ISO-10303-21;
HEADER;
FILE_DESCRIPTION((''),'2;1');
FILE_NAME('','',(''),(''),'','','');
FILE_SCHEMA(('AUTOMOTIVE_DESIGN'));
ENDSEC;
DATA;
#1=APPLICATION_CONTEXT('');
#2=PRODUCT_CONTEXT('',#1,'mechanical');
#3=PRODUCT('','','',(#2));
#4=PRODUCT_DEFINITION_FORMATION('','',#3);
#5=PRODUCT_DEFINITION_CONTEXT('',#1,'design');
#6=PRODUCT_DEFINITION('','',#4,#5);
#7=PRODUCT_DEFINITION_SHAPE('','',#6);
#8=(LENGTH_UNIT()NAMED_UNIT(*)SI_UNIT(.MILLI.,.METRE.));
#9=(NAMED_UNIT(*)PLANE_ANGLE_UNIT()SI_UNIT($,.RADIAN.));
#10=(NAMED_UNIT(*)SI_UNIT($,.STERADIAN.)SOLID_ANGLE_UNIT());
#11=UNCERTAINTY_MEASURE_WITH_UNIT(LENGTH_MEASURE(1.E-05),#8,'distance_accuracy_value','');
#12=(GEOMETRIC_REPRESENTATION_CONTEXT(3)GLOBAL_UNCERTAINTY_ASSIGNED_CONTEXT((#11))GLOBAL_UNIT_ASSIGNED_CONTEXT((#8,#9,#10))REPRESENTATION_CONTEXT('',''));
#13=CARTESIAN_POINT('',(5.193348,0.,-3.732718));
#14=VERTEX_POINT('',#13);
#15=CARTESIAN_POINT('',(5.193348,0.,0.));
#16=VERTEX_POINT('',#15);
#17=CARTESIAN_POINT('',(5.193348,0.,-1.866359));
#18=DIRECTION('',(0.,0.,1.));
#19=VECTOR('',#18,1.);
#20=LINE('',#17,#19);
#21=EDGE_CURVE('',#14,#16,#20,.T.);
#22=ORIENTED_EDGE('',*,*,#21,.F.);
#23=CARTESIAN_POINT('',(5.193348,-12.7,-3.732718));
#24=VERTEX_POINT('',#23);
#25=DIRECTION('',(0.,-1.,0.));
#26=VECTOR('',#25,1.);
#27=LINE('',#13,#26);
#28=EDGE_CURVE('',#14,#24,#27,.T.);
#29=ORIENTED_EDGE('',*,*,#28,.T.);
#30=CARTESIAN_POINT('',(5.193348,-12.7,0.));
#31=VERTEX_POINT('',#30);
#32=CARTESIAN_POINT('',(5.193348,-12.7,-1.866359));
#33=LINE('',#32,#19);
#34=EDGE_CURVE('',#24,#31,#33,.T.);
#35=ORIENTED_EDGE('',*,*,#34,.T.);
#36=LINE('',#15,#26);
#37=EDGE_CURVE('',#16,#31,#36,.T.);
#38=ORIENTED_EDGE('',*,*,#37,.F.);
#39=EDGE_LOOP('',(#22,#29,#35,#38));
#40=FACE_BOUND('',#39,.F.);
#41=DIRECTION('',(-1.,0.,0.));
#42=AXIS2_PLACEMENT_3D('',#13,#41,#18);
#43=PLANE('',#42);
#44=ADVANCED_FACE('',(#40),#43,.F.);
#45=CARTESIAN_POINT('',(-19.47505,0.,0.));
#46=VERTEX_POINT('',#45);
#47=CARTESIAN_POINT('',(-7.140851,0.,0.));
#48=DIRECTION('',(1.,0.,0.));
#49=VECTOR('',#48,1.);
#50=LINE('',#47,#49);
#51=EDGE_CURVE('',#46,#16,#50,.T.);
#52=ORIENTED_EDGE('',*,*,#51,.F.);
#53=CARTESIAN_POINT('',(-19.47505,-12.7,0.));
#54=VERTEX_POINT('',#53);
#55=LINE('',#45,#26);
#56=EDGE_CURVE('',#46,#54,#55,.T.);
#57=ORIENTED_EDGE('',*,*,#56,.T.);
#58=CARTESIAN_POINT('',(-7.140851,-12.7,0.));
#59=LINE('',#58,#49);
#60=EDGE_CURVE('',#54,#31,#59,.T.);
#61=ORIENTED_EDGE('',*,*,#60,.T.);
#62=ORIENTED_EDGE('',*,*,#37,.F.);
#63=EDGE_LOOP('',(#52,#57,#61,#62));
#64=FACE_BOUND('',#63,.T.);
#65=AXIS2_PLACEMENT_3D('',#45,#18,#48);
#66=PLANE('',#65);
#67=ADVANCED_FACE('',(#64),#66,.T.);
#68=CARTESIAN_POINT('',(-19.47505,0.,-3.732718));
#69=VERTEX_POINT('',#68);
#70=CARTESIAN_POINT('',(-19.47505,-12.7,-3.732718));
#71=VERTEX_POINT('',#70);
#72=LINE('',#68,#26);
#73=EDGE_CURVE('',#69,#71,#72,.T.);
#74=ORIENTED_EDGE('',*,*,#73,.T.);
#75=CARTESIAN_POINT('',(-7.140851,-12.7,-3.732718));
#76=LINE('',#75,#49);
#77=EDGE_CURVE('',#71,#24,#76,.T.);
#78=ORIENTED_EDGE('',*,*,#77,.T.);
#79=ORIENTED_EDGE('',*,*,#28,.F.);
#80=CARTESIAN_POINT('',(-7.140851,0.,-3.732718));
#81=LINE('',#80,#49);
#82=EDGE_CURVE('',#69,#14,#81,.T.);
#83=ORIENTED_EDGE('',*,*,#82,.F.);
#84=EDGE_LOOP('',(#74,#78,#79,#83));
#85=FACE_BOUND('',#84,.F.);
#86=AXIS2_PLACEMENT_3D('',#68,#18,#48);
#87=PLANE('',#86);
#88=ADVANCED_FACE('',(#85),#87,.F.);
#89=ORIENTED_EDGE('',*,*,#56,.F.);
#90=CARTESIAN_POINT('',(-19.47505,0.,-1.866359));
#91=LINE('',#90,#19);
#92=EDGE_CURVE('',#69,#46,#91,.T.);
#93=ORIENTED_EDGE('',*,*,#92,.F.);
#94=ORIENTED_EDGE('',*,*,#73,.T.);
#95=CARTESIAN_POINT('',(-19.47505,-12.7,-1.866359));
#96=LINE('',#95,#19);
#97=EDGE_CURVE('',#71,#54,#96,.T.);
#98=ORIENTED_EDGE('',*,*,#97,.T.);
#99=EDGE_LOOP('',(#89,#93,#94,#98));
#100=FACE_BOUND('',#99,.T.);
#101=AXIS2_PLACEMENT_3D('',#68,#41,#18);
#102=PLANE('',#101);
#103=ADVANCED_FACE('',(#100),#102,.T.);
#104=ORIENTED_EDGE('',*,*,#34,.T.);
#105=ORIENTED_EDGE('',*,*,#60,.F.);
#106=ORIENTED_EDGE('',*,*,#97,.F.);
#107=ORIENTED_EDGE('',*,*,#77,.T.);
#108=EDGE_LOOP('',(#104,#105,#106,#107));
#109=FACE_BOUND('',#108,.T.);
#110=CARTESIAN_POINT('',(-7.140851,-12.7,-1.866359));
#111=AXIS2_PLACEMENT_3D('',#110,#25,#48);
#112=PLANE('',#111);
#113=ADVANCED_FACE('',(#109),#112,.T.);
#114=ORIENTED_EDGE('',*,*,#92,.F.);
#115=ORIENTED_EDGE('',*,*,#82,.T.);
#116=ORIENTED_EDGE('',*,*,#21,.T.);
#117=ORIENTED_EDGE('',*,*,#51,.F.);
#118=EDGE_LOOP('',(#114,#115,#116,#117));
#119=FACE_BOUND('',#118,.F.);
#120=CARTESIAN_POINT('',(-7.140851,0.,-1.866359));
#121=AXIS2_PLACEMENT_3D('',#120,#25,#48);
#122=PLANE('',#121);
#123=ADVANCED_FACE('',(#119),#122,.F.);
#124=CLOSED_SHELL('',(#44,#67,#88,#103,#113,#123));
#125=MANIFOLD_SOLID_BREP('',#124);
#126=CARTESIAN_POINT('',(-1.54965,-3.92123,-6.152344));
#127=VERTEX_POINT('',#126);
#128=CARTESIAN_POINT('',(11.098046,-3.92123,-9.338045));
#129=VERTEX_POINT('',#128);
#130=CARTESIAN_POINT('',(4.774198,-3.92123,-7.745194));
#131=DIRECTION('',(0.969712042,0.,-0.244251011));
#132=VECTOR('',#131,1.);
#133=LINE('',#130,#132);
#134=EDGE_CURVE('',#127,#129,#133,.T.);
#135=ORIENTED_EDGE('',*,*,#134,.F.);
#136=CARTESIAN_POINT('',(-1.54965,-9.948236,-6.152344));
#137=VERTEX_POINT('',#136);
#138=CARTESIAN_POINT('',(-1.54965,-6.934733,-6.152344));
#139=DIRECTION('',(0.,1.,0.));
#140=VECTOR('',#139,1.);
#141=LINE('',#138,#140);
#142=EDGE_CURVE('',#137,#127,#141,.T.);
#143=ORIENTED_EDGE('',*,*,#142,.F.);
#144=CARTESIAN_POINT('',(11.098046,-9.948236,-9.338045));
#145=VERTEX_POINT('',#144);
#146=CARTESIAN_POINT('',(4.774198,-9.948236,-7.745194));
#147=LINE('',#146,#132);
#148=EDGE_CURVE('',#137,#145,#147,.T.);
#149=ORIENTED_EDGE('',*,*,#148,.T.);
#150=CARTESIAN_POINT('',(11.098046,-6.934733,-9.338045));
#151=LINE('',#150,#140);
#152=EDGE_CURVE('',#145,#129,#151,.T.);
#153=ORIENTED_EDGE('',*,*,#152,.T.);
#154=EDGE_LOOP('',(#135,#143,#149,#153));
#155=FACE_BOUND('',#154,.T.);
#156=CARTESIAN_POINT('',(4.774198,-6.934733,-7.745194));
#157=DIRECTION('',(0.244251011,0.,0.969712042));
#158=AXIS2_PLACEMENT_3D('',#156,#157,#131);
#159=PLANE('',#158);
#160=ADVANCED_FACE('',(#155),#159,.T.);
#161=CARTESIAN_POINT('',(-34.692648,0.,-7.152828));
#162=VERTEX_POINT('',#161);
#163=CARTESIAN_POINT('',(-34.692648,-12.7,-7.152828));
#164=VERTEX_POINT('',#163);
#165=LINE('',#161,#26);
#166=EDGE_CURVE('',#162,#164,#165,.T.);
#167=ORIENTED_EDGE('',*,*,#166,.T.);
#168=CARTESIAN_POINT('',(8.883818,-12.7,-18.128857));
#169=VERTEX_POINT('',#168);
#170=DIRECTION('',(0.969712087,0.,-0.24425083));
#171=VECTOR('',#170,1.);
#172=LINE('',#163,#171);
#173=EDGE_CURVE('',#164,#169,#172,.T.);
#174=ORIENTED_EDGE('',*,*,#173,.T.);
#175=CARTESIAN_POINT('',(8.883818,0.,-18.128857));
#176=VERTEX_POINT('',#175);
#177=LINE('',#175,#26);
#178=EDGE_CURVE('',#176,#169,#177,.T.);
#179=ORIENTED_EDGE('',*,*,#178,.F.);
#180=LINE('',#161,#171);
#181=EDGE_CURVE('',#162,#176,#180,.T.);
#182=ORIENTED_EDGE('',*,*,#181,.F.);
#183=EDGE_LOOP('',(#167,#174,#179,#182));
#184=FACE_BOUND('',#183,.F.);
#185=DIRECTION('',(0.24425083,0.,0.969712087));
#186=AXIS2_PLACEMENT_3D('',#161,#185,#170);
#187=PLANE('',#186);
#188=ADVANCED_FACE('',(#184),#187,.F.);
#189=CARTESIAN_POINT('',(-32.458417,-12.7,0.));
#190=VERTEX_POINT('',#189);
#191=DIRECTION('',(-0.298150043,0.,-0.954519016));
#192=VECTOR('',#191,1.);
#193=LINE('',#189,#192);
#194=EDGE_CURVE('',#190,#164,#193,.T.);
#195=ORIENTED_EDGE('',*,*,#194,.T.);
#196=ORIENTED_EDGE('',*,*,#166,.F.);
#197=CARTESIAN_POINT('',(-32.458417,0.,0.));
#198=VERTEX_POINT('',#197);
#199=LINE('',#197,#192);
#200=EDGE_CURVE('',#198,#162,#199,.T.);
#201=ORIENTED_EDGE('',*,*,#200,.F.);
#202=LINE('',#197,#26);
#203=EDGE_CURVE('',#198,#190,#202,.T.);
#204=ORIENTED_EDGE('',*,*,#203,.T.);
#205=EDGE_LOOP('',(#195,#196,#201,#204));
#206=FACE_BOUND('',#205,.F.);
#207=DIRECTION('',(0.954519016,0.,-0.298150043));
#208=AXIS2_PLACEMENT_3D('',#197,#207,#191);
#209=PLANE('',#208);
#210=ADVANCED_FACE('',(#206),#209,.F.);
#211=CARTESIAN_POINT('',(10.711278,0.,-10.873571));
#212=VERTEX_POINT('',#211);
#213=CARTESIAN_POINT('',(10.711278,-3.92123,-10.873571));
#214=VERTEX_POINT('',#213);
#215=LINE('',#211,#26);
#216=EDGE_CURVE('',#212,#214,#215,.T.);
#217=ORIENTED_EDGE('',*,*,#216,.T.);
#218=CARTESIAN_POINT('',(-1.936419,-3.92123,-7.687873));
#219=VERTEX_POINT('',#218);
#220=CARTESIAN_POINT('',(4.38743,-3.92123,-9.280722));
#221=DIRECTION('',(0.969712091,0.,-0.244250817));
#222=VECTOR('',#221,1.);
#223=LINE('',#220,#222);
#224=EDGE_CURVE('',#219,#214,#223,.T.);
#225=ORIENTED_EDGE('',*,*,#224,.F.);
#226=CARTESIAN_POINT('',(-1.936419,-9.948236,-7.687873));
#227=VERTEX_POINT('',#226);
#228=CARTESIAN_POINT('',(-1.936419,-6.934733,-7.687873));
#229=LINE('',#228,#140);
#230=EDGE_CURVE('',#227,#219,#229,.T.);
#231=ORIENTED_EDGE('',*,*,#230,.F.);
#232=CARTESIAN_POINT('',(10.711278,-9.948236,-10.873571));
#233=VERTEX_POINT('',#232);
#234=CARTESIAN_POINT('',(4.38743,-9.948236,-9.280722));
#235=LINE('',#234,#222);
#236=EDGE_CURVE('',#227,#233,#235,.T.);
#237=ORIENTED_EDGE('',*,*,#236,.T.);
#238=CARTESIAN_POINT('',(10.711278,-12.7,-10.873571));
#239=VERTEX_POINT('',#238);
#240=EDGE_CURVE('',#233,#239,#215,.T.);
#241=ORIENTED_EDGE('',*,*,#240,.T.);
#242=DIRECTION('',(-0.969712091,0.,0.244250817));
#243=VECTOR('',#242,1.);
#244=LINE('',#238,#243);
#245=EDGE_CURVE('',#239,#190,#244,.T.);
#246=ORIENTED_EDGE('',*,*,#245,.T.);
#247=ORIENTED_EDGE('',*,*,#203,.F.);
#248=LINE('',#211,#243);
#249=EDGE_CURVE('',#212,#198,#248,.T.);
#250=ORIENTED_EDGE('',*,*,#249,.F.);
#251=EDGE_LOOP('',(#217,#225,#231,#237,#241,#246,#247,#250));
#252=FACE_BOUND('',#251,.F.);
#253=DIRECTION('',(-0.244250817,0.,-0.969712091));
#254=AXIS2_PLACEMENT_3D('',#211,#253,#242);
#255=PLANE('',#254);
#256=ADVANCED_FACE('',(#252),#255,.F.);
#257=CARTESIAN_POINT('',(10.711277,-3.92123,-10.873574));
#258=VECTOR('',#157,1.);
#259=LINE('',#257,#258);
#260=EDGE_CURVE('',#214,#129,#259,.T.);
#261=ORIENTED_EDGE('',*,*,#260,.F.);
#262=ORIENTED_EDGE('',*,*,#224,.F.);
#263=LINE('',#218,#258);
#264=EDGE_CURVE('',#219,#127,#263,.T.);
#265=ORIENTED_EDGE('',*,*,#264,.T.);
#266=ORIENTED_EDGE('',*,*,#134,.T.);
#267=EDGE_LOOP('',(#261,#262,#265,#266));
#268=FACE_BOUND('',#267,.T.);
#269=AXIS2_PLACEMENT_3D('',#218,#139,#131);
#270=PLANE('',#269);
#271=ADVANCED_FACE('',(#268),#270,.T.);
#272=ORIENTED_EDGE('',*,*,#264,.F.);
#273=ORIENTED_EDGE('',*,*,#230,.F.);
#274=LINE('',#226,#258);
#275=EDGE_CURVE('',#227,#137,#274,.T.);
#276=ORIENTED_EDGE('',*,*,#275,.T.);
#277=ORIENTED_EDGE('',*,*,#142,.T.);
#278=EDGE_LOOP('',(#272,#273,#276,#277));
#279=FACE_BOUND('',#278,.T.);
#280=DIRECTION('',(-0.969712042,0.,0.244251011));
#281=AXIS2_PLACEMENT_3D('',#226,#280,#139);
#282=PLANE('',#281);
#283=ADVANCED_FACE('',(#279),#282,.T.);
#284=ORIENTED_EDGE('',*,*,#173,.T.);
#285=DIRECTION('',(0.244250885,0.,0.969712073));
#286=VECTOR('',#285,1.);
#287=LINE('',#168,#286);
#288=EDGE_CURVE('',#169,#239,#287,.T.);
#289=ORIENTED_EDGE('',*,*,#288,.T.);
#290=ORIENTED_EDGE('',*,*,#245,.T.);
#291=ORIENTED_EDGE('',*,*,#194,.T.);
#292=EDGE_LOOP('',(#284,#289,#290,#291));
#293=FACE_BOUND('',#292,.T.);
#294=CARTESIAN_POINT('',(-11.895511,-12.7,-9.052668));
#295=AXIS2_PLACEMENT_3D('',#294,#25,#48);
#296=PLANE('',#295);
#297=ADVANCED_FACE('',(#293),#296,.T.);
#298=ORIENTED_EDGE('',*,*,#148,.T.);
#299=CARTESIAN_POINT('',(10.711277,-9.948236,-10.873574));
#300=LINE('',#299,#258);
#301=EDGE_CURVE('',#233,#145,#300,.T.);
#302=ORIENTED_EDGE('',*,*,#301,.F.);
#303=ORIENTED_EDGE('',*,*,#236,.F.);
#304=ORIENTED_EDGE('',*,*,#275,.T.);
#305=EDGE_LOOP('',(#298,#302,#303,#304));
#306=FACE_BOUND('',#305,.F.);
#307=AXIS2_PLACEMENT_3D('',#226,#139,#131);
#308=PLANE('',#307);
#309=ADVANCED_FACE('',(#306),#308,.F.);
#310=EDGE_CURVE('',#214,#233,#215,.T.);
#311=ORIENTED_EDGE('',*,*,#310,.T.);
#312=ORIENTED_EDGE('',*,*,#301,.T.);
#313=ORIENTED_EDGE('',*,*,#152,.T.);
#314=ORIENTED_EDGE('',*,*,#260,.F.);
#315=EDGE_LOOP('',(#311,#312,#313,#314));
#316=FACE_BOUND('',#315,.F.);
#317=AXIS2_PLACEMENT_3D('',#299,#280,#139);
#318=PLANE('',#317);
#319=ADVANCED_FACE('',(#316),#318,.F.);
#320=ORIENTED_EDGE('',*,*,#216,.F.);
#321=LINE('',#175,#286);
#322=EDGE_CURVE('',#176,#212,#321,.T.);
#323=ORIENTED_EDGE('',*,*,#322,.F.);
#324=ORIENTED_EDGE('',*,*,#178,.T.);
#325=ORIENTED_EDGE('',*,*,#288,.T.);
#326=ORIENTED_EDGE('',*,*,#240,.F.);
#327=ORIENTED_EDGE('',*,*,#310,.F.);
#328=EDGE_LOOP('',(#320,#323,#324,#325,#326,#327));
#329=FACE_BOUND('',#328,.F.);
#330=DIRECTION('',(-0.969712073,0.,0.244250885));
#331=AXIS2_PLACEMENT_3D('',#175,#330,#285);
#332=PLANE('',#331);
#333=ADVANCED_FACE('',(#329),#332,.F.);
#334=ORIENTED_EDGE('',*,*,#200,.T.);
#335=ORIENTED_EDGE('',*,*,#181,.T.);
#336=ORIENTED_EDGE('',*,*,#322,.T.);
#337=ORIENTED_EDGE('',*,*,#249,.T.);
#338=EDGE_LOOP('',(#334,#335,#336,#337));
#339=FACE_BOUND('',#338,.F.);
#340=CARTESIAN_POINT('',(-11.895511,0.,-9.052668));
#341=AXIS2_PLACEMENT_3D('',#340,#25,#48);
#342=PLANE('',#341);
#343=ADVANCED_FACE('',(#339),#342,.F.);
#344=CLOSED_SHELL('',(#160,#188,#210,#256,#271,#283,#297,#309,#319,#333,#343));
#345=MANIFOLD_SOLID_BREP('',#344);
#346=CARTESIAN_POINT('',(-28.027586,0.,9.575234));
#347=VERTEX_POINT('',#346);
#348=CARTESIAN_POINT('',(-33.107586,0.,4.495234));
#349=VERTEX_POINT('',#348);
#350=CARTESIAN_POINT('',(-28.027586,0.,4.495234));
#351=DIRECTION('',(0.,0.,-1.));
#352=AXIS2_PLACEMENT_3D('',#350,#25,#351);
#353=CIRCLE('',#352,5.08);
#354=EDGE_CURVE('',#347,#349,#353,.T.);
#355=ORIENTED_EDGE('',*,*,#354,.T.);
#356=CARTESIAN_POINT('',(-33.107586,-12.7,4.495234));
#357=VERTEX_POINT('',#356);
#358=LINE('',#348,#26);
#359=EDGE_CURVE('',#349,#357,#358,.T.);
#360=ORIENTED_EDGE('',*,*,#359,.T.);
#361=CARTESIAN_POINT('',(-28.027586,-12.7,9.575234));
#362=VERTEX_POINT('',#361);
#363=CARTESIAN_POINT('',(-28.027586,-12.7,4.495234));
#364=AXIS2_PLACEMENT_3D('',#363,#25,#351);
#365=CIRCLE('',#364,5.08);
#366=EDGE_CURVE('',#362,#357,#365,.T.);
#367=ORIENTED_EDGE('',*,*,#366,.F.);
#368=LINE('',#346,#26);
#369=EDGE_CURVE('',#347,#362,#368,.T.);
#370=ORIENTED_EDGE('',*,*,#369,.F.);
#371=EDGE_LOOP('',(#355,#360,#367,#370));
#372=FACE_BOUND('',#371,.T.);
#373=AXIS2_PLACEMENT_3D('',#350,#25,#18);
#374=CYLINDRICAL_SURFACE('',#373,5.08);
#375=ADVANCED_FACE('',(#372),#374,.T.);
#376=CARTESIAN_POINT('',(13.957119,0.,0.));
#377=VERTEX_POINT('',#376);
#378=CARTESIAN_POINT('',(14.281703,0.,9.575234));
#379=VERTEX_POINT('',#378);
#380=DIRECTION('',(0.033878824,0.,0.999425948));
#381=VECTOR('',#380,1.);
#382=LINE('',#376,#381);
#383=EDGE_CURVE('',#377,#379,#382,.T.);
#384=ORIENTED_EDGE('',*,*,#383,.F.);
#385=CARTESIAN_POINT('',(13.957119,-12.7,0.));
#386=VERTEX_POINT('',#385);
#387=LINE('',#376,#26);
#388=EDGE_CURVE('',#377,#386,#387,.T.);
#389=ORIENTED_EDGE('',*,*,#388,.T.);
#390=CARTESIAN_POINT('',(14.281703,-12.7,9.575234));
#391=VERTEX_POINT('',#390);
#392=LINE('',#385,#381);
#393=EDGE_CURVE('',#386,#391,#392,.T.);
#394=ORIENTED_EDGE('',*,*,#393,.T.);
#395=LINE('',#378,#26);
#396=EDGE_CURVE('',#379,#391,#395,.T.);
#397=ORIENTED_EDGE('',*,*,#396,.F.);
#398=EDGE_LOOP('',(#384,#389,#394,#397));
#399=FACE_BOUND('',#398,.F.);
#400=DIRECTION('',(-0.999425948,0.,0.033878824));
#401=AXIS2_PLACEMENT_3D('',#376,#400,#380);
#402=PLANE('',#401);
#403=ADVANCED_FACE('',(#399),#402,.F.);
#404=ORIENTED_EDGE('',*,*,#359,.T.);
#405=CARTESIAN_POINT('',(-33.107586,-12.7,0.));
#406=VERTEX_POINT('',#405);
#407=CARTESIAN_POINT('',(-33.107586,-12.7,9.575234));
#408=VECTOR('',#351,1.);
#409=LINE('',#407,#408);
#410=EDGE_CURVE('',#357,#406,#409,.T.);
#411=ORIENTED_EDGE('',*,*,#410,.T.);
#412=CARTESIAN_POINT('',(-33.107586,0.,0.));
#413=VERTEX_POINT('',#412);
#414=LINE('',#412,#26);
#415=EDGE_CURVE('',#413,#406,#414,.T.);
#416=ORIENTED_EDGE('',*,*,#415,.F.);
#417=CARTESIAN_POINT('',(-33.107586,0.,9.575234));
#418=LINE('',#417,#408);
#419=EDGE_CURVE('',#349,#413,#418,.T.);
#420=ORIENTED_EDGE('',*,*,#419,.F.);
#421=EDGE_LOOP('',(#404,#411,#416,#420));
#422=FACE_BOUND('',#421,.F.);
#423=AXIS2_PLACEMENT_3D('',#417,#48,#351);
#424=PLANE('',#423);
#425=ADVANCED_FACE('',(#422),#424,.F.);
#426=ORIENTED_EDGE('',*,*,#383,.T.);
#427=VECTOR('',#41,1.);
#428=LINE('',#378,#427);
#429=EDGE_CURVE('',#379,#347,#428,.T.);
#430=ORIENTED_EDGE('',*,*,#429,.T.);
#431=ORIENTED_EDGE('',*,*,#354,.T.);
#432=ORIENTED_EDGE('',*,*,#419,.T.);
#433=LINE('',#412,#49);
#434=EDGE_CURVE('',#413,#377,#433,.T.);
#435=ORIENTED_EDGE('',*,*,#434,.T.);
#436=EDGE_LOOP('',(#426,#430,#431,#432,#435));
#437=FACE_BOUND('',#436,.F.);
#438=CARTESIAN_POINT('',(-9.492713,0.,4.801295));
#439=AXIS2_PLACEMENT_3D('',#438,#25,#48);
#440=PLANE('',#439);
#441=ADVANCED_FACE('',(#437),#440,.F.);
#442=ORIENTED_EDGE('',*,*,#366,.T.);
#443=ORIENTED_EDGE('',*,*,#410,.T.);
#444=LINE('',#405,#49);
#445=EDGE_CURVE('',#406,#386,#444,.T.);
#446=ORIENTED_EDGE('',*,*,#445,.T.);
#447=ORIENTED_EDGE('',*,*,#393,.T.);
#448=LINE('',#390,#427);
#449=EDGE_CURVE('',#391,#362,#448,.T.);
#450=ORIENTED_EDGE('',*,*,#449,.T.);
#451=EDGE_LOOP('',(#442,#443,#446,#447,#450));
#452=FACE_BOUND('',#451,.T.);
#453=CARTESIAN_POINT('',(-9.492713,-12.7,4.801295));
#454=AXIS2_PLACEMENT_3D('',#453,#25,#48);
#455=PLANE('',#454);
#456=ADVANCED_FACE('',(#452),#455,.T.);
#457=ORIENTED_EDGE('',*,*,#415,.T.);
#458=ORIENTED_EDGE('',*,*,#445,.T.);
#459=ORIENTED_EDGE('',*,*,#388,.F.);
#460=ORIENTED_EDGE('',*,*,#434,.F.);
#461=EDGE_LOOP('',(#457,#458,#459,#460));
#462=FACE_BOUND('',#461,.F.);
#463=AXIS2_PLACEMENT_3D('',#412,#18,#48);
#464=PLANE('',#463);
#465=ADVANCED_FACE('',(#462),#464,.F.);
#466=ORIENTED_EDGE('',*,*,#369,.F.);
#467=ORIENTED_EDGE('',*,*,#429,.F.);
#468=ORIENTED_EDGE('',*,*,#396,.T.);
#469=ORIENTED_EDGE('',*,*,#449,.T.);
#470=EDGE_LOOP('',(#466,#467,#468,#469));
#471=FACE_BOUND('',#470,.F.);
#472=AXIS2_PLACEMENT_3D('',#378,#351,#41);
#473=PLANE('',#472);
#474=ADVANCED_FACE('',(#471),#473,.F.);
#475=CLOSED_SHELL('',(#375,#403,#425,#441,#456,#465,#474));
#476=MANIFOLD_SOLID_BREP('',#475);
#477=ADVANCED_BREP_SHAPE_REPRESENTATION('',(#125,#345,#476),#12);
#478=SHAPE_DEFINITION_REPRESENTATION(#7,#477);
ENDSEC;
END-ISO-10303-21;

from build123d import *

# Parameters (mm, degrees)
F1_DEPTH = 12.7
F3_DEPTH = 12.7
F4_W     = 24.668398
F4_H     = 3.732718
F5_DEPTH = 12.7
F6_W     = 13.042734
F6_H     = 6.027006
F7_DEPTH = 1.58349
F8_R     = 5.08


with BuildPart() as f1:
    # F0 (on Front) → F1 (new body)
    with BuildSketch(Plane.XZ):
        Polygon((-33.107586, 0), (13.957119, 0), (14.281703, 9.575234), (-33.107586, 9.575234), align=None)
    extrude(amount=F1_DEPTH)

    # F8
    f8_edges = [f1.edges().sort_by_distance(p)[0] for p in [
        (-33.107586, -6.35, 9.575234),
    ]]
    fillet(f8_edges, radius=F8_R)


with BuildPart() as f3:
    # F2 (on Front) → F3 (new body)
    with BuildSketch(Plane.XZ):
        Polygon((10.711278, -10.873571), (-32.458417, 0), (-34.692648, -7.152828), (8.883818, -18.128857), align=None)
    extrude(amount=F3_DEPTH)

    # F6 (on face) → F7 (join)
    with BuildSketch(Plane(origin=(-1.936419, 0, -7.687873), x_dir=(0.969712, 0, -0.244251), z_dir=(0.244251, 0, 0.969712))):
        with Locations((6.521367, -6.934733)):
            Rectangle(F6_W, F6_H)
    extrude(amount=F7_DEPTH)


with BuildPart() as f5:
    # F4 (on Front) → F5 (new body)
    with BuildSketch(Plane.XZ):
        with Locations((-7.140851, -1.866359)):
            Rectangle(F4_W, F4_H)
    extrude(amount=F5_DEPTH)


solid = Compound([f1.part, f3.part, f5.part])
